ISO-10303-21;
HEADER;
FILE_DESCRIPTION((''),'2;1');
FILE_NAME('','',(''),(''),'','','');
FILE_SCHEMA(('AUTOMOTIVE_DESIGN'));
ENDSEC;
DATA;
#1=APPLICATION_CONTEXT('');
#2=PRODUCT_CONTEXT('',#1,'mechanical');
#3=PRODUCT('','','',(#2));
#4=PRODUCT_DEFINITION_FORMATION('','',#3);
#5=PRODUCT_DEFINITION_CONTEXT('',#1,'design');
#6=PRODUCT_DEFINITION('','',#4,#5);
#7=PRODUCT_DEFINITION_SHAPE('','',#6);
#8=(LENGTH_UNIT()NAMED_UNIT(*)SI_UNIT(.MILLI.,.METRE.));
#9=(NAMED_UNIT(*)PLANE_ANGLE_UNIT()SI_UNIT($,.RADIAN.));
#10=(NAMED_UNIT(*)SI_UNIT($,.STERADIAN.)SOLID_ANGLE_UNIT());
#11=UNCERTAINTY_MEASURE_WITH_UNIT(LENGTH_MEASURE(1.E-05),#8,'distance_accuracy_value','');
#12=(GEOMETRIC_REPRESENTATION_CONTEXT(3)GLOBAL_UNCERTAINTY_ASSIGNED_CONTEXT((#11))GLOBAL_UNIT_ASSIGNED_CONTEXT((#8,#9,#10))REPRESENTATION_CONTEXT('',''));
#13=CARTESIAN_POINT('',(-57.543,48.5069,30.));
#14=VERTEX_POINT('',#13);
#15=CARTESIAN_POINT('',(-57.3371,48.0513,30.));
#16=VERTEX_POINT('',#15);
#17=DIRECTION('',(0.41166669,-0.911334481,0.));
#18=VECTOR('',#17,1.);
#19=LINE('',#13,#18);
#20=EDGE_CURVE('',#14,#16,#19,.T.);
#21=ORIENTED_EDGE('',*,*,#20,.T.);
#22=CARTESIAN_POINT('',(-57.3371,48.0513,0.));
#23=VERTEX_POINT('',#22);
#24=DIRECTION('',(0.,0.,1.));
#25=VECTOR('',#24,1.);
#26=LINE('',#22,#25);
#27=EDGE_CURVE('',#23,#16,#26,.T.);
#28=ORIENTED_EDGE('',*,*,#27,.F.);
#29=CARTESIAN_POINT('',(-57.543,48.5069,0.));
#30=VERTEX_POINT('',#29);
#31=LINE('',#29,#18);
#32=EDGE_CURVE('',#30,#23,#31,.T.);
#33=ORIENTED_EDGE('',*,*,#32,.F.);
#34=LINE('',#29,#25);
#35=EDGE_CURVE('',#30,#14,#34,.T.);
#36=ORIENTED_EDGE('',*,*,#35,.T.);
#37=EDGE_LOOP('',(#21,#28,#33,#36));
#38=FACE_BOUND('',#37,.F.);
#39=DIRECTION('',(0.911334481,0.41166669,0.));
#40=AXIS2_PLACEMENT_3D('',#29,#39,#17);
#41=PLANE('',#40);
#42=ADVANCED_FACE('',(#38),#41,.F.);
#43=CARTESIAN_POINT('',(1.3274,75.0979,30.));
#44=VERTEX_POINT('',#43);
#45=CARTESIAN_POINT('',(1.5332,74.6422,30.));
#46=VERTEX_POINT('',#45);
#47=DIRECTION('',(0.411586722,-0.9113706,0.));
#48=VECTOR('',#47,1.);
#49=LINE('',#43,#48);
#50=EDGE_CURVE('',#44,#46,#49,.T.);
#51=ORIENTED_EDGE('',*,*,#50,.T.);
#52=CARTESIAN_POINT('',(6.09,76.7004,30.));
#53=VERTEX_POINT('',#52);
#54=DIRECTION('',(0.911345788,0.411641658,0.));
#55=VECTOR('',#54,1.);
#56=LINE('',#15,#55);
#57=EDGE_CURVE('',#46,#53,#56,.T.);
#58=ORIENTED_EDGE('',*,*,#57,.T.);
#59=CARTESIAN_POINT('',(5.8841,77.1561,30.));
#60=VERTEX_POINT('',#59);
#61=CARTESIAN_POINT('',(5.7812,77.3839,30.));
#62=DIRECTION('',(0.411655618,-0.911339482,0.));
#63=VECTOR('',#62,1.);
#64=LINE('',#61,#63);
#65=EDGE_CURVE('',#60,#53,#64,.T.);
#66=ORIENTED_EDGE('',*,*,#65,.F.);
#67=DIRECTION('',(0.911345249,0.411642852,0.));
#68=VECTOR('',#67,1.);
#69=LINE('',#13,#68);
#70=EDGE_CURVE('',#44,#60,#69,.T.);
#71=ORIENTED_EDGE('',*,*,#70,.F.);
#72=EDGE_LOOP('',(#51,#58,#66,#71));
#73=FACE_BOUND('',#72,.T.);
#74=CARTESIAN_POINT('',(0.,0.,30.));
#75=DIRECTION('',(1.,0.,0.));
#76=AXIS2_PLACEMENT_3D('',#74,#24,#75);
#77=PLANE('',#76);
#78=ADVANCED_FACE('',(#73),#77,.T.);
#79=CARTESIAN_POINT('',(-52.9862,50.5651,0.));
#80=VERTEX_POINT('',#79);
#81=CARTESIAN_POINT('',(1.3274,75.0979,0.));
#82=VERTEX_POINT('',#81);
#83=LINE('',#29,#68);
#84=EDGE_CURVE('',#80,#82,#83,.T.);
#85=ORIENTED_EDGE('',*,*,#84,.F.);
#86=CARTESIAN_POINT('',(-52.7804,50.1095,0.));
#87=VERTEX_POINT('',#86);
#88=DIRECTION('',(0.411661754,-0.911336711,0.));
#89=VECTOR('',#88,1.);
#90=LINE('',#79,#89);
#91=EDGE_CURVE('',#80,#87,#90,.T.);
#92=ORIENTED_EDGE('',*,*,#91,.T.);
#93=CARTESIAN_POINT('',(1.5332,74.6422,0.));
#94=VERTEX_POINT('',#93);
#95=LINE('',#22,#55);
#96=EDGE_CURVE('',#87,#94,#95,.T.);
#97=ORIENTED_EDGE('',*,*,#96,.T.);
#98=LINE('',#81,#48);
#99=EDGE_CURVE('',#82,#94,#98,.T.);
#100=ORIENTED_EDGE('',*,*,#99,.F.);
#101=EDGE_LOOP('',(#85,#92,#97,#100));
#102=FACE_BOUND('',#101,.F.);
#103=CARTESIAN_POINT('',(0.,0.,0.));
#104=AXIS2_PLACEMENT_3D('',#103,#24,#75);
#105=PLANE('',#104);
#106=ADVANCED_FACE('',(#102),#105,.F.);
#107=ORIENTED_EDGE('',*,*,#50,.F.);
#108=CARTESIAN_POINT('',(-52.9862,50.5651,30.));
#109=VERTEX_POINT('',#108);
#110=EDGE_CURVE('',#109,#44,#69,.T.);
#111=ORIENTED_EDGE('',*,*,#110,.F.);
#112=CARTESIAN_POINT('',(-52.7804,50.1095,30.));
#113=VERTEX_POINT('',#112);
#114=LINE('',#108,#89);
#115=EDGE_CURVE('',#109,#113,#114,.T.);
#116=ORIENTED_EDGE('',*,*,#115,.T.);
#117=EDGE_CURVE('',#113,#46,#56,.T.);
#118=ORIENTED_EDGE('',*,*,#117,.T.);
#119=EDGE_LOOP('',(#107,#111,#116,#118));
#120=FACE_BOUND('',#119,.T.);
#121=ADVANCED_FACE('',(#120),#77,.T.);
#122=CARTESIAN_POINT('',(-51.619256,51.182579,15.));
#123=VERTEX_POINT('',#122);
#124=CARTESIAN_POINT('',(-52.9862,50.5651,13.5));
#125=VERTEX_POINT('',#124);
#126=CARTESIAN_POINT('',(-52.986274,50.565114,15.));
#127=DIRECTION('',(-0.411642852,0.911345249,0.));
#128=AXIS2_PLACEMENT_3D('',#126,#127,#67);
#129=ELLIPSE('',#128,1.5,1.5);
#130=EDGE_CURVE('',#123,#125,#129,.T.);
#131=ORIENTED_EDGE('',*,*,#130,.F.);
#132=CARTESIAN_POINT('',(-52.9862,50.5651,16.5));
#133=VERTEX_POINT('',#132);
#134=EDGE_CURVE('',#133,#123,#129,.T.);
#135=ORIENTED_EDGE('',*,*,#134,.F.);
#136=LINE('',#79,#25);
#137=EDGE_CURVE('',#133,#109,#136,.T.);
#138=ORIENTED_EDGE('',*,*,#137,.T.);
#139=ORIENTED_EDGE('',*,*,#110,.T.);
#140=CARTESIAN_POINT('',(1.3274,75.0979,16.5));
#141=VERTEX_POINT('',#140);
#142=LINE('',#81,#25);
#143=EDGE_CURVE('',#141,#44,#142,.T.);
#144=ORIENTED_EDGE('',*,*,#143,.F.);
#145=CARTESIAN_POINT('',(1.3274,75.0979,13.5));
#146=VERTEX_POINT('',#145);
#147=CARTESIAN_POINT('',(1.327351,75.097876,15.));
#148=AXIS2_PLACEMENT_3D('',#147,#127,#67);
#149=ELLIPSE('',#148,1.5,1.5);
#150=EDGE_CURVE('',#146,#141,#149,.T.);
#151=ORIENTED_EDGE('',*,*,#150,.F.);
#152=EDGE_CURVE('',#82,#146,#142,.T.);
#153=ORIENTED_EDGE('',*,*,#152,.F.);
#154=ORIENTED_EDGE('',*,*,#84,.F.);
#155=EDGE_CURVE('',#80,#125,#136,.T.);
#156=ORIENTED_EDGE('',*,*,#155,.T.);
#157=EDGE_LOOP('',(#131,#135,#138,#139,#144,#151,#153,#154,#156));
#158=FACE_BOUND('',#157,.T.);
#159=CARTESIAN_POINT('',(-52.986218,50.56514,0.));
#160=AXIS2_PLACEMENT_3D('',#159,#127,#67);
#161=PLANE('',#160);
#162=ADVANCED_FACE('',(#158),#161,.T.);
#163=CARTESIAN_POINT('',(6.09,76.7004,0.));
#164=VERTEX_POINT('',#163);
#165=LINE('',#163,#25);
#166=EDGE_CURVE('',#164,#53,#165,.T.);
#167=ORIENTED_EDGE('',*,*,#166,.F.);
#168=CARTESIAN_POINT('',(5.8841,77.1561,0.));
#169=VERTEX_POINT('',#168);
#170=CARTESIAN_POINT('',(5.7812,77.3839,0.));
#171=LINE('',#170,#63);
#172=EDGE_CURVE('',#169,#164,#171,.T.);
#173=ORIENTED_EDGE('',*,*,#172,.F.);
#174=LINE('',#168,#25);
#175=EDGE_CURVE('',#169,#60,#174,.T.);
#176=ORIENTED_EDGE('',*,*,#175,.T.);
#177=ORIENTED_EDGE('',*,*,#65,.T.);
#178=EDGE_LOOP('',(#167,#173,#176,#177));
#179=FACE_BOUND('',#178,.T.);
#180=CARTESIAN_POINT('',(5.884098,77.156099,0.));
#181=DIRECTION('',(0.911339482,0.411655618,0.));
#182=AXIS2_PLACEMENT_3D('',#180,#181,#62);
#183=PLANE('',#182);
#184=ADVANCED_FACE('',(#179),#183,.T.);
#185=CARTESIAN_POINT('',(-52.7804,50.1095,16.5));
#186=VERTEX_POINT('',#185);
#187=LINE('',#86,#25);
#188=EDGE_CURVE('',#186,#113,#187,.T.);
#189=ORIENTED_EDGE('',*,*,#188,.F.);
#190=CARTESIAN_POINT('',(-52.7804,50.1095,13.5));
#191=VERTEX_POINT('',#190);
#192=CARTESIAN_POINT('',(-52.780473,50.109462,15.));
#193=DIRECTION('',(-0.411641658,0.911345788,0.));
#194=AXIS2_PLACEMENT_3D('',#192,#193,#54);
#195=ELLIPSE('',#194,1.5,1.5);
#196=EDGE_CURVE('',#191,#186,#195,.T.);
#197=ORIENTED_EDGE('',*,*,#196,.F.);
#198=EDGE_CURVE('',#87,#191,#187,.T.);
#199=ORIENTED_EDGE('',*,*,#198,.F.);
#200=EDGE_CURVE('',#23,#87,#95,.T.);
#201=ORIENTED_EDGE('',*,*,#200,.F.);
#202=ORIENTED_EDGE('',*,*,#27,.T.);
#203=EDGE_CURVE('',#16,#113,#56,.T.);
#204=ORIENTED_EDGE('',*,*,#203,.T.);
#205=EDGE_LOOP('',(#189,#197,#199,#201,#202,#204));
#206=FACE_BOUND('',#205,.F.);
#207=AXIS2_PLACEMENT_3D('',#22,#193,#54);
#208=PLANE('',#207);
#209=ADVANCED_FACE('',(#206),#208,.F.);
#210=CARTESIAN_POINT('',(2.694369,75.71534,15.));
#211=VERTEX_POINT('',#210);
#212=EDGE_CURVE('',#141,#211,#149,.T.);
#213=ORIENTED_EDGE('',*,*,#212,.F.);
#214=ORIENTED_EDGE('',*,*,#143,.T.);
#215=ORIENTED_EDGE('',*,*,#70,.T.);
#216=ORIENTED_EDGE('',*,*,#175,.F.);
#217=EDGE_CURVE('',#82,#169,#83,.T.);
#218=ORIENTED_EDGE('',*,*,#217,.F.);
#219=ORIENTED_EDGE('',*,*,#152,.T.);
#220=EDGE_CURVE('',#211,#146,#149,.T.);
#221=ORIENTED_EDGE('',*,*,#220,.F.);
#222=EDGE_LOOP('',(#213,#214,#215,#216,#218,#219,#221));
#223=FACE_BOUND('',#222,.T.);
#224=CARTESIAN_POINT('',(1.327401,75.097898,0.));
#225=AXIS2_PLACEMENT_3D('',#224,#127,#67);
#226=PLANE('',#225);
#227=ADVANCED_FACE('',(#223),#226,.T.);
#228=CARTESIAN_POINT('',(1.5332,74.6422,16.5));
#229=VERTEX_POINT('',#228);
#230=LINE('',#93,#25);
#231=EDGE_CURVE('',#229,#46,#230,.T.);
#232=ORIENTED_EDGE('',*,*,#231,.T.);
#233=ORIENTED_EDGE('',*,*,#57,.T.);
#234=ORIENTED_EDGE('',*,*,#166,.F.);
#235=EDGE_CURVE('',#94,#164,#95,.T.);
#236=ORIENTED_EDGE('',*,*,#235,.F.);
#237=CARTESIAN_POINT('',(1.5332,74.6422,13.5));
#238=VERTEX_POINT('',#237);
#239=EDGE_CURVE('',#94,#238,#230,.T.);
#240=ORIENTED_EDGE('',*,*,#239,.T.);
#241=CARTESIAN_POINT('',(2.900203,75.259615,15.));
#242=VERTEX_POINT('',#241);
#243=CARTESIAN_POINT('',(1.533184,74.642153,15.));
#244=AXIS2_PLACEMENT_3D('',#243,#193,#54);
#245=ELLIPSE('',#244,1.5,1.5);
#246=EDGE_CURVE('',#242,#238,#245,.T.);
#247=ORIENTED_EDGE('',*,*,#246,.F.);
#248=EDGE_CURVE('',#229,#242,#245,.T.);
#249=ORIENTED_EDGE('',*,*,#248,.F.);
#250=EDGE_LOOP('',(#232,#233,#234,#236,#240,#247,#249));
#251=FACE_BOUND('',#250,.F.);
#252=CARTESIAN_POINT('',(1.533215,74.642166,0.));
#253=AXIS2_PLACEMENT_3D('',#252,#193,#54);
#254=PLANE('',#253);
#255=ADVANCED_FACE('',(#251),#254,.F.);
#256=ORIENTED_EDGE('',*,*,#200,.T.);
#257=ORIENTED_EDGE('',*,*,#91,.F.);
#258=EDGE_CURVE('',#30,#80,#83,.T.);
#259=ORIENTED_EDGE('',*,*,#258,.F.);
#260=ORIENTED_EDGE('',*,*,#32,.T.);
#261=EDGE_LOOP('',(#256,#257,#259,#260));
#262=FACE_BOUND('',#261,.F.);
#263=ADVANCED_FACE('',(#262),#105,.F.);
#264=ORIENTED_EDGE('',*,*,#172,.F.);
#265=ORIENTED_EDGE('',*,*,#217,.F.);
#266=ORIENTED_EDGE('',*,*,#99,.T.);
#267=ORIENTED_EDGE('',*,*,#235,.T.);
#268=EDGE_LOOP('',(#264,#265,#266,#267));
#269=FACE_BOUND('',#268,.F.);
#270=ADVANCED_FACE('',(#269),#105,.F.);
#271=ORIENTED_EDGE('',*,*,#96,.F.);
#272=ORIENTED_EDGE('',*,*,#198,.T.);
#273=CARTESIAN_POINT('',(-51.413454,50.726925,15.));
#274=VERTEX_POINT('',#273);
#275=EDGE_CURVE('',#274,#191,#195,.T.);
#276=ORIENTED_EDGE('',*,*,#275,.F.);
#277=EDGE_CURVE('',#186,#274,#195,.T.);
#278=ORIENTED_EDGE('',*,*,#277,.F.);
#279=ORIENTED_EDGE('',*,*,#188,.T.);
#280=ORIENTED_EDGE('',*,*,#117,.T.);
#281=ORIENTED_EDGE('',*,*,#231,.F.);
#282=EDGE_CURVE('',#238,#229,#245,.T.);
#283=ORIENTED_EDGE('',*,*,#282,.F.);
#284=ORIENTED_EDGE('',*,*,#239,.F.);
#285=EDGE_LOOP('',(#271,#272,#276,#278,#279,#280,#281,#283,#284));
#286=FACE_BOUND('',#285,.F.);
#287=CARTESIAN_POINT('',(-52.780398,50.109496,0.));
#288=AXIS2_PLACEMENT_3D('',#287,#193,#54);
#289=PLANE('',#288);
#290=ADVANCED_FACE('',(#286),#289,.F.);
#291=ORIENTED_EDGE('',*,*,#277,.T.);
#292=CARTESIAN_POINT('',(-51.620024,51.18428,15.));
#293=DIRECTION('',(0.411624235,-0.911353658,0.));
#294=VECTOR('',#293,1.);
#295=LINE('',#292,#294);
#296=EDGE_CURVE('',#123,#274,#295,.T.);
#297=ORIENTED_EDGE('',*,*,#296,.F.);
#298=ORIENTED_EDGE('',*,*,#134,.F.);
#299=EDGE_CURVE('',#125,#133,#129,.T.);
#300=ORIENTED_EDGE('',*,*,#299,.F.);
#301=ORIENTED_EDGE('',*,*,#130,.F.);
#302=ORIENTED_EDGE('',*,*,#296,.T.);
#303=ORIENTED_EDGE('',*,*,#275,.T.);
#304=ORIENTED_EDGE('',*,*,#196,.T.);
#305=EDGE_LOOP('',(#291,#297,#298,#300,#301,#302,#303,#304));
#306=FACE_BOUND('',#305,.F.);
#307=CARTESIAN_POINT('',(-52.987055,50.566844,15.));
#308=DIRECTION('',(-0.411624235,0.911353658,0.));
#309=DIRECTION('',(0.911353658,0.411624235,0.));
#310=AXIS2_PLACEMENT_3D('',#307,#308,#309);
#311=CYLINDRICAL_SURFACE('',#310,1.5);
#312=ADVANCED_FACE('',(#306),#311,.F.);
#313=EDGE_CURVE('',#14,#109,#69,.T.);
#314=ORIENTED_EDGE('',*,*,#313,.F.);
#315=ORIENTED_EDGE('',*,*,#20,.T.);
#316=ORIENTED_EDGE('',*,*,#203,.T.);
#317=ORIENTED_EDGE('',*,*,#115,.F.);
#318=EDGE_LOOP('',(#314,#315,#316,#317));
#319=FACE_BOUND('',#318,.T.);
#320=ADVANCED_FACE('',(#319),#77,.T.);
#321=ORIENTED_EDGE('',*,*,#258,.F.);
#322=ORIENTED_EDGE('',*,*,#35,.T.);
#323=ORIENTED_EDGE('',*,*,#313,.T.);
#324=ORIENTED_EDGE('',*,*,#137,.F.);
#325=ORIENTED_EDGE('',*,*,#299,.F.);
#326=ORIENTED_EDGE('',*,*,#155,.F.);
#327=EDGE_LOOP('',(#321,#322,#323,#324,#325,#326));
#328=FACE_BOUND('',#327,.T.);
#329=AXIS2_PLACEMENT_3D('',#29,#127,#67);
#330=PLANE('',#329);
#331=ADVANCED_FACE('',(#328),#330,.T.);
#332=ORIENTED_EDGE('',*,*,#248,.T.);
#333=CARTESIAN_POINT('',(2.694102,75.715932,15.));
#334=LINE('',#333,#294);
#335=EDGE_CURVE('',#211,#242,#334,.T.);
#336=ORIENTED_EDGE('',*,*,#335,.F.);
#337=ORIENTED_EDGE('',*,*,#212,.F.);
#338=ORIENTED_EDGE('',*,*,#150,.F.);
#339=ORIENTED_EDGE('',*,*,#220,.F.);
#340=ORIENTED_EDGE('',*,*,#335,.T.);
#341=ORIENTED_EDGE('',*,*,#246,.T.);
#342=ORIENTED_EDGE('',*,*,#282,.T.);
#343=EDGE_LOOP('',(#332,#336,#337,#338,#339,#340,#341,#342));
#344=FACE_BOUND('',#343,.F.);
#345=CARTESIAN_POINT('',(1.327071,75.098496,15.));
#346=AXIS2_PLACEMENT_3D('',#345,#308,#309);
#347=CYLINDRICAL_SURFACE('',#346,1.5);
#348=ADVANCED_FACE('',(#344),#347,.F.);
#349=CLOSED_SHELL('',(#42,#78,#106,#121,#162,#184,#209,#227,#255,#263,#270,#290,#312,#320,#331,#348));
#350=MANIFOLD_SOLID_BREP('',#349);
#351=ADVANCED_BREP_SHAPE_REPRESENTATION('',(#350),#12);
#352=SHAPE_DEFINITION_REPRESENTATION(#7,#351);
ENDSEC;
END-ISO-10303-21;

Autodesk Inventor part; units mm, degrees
ref_plane "YZ Plane" through (0, 0, 0) normal (1, 0, 0) x (0, 1, 0)
ref_plane "XZ Plane" through (0, 0, 0) normal (0, 1, 0) x (-1, 0, 0)
ref_plane "XY Plane" through (0, 0, 0) normal (0, 0, 1) x (1, 0, 0)
sketch "スケッチ1" plane through (0, 0, 0) normal (0, 0, 1) x (1, 0, 0)
  circle A0 centre (-56.2051, 45.5451) radius 2.75
  arc A1 (8.9566, 76.3281) -> (6.09, 76.7004) centre (7.222, 74.1942) ccw
  circle A2 centre (57.2805, 33.1812) radius 3
  line L0 (-57.3371, 48.0513) -> (6.09, 76.7004)
  line L1 (8.9566, 76.3281) -> (59.1728, 35.5091)
  line L2 (-57.543, 48.5069) -> (5.8841, 77.1561)
  arc A3 (6.09, 76.7004) -> (8.9566, 76.3281) centre (7.222, 74.1942) ccw
  arc A4 (9.4296, 76.9101) -> (5.7812, 77.3839) centre (7.222, 74.1942) ccw
  line L3 (9.4296, 76.9101) -> (59.6459, 36.0911)
  line L4 (-57.543, 48.5069) -> (-56.2051, 45.5451)
  line L5 (57.2805, 33.1812) -> (59.6459, 36.0911)
  line L6 (-52.9862, 50.5651) -> (-52.7804, 50.1095)
  line L7 (55.2929, 38.663) -> (55.766, 39.2449)
  line L8 (5.7812, 77.3839) -> (7.222, 74.1942)
  line L9 (1.3274, 75.0979) -> (1.5332, 74.6422)
  point P0 (0, 0)
  point P1 (5.7812, 77.3839)
  point P2 (6.09, 76.7004)
  point P3 (5.8841, 77.1561)
  dimension "d0" = 0.5
  dimension "d1" = 0.75
  dimension "d2" = 0.75
  dimension "d3" = 5
  dimension "d4" = 5
  dimension "d17" = 5
extrude "押し出し1" add sketch "スケッチ1" along normal blind 30 contours L4 L2 L6 L0 | L6 L2 L9 L0 | L9 L2 L8 L0
sketch "スケッチ2" plane through (-57.543, 48.5069, 30) normal (-0.4116, 0.9113, 0) x (0.9113, 0.4116, 0)
  line L0 (69.5972, 30) -> (0, 30) projected
  line L1 (0, 30) -> (0, 0) projected
  line L2 (69.5972, 0) -> (0, 0) projected
  circle A0 centre (5, 15) radius 1.5
  line L3 (69.5972, 30) -> (69.5972, 0) projected
  circle A1 centre (64.5972, 15) radius 1.5
  point P0 (32.474, 30)
  dimension "d7" = 3
  dimension "d8" = 15
  dimension "d9" = 5
  dimension "d18" = 3
  dimension "d19" = 15
  dimension "d20" = 5
extrude "押し出し2" cut sketch "スケッチ2" against normal blind 0.75 contours A0 | A1
properties part number "クランクガード前" material "ポリカーボネート、クリア"
